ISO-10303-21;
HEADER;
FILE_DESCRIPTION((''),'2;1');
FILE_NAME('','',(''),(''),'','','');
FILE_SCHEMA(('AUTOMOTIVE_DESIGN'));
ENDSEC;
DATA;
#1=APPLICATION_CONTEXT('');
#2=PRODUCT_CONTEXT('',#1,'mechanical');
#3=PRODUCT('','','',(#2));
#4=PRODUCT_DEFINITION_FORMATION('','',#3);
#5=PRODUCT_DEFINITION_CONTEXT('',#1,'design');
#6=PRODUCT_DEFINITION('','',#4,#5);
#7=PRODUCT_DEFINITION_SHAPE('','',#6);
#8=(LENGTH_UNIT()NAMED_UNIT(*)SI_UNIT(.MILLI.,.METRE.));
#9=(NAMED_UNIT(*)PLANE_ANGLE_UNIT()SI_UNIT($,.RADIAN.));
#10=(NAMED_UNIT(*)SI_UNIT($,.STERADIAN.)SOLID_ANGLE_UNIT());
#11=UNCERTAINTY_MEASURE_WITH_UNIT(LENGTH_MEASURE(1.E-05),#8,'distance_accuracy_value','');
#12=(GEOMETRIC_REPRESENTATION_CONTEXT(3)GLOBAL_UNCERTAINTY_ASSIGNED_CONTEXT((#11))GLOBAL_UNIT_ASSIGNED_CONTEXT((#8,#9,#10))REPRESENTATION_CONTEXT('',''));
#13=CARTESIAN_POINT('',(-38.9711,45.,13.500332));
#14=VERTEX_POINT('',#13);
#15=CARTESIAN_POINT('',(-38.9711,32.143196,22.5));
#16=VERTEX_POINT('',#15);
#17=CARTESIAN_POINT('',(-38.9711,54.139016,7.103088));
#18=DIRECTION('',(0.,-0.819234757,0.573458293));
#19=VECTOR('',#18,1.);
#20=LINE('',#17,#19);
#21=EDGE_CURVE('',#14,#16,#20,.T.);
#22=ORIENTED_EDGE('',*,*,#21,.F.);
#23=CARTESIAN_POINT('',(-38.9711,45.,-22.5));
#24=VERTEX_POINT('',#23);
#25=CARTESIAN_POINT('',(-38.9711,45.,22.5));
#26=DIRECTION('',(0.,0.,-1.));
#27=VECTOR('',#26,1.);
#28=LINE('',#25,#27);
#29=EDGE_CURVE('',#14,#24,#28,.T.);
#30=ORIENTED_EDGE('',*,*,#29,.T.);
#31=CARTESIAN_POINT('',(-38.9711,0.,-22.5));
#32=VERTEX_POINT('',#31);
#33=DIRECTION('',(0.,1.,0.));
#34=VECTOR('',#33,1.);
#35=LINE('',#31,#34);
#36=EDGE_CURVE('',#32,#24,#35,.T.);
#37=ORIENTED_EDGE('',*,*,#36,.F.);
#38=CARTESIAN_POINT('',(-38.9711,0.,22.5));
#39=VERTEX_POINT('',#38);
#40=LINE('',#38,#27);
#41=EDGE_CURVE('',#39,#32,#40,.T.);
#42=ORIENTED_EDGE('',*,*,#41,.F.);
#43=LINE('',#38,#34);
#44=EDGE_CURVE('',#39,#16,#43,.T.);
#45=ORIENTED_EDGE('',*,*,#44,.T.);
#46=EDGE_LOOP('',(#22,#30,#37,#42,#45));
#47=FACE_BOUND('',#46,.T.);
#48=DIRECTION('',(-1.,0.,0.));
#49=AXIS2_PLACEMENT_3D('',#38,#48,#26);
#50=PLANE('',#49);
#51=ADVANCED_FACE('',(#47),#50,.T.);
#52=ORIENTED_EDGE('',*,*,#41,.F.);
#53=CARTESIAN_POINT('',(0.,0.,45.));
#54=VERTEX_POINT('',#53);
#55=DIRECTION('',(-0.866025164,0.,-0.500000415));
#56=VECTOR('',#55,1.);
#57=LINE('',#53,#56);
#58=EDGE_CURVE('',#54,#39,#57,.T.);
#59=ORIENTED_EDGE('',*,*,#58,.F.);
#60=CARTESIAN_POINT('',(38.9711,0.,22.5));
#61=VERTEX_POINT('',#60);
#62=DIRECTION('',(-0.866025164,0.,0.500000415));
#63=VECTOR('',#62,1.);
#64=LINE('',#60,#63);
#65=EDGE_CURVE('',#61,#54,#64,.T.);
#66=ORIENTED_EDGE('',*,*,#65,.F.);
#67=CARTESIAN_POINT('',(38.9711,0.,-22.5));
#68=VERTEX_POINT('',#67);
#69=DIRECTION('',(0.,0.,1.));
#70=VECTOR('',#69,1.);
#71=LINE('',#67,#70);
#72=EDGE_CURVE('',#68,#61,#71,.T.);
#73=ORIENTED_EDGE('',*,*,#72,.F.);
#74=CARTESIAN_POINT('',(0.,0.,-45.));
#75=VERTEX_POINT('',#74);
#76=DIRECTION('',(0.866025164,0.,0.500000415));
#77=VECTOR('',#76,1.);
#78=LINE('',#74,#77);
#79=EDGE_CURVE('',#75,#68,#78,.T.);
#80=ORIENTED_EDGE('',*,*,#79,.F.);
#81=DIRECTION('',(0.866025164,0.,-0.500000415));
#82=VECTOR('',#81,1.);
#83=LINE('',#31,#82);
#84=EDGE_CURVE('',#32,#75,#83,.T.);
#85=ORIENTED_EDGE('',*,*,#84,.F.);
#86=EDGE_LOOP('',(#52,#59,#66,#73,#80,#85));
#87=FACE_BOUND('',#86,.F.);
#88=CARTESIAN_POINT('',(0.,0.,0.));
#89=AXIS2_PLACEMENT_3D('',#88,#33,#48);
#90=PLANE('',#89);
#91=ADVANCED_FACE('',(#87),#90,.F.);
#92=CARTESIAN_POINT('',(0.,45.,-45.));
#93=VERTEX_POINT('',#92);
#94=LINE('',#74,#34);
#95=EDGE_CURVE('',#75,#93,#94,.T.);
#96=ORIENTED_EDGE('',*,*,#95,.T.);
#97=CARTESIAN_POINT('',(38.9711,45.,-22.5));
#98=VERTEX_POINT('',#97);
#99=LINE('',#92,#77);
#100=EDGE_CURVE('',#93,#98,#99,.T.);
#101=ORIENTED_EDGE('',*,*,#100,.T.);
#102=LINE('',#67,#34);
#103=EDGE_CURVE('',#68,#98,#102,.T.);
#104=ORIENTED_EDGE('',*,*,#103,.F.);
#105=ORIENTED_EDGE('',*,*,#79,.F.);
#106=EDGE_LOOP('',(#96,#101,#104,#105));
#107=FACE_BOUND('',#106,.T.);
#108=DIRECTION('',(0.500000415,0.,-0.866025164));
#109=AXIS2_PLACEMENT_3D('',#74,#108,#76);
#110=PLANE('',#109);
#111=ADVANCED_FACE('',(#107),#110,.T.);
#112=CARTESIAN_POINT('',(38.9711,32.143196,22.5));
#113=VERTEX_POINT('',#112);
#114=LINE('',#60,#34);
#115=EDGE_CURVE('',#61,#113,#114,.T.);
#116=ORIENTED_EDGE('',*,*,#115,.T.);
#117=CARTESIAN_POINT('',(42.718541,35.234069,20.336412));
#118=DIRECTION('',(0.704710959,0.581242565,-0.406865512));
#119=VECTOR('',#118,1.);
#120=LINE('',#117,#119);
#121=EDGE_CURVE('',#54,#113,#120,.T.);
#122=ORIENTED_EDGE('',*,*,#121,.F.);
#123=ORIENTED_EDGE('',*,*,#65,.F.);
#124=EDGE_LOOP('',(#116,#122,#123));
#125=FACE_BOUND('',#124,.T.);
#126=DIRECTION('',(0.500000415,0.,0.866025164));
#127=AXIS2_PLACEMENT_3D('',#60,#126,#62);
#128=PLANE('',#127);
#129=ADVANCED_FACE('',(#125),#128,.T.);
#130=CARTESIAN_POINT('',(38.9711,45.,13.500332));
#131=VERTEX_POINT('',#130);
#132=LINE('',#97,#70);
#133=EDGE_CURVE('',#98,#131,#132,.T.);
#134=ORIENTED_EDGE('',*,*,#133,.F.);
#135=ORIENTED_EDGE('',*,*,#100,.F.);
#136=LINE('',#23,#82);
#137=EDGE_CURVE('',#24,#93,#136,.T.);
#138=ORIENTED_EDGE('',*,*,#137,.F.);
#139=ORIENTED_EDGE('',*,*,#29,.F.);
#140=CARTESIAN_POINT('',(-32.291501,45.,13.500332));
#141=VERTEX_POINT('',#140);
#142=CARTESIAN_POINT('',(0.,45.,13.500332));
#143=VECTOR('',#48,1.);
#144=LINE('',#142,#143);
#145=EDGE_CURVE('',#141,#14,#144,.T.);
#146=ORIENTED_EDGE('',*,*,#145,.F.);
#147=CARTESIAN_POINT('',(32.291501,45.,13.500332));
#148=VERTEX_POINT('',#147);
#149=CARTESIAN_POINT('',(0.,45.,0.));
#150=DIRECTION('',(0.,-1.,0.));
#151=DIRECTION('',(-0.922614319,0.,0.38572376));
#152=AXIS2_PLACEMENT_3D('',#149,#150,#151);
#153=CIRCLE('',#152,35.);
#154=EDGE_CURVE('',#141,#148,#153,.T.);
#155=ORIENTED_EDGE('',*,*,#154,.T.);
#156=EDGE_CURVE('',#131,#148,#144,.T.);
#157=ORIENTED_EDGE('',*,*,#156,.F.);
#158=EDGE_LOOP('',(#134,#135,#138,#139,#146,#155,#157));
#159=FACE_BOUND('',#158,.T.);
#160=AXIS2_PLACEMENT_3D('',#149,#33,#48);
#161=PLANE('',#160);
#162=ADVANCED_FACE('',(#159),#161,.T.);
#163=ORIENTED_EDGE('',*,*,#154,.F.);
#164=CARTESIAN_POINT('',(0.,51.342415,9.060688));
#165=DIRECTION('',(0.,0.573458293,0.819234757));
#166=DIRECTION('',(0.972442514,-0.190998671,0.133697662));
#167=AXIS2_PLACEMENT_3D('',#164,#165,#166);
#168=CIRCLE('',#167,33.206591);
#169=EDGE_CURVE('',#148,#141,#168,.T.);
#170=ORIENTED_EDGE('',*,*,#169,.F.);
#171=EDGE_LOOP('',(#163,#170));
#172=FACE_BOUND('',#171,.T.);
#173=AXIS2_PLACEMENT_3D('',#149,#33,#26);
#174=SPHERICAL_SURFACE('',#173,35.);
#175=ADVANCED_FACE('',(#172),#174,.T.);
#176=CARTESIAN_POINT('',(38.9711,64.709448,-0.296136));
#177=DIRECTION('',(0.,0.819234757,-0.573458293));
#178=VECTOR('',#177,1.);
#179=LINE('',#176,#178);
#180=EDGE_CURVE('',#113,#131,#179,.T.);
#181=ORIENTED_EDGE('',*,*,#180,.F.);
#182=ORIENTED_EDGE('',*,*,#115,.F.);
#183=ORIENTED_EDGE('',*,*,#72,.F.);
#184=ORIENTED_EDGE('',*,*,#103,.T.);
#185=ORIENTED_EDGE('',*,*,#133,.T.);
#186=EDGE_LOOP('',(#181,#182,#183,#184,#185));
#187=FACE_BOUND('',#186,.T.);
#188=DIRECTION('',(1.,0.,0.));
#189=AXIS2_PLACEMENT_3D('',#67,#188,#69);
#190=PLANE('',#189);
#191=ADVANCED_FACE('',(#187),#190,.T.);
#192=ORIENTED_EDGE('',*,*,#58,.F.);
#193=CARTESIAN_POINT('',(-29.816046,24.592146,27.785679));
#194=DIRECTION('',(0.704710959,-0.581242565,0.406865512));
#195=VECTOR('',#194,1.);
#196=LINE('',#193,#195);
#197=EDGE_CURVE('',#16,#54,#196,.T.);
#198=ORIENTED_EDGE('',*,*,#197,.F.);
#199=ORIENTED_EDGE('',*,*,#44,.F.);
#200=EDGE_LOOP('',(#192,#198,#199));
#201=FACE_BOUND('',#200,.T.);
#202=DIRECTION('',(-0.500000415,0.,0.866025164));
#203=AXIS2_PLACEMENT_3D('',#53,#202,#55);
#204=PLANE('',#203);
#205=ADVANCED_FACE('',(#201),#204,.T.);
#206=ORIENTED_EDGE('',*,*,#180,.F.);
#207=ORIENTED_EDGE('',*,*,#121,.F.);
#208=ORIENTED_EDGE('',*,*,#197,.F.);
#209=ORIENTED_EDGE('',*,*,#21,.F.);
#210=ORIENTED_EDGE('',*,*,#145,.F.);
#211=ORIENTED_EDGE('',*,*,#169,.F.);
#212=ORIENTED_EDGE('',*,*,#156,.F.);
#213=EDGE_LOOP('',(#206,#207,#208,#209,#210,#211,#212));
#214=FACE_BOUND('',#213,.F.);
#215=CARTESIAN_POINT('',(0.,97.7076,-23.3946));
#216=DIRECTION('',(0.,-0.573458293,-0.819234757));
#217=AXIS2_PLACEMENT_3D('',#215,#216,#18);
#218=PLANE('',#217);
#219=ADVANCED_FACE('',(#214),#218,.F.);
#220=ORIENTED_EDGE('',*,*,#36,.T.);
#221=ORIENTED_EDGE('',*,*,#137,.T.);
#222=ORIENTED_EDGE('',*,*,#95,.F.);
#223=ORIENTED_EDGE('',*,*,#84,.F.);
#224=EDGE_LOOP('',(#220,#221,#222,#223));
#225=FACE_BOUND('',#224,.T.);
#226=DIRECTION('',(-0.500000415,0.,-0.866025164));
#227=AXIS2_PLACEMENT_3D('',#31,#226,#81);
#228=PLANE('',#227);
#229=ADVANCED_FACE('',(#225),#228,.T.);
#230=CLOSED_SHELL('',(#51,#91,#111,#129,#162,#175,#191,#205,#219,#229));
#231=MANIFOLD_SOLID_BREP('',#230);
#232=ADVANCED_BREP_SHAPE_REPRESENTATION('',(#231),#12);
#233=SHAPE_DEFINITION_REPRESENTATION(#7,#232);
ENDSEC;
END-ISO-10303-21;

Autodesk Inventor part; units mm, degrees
ref_plane "YZ Plane" through (0, 0, 0) normal (1, 0, 0) x (0, 1, 0)
ref_plane "XZ Plane" through (0, 0, 0) normal (0, 1, 0) x (-1, 0, 0)
ref_plane "XY Plane" through (0, 0, 0) normal (0, 0, 1) x (1, 0, 0)
sketch "Эскиз1" plane through (0, 0, 0) normal (0, 1, 0) x (-1, 0, 0)
  line L0 (0, -45) -> (-38.9711, -22.5)
  line L1 (-38.9711, -22.5) -> (-38.9711, 22.5)
  line L2 (-38.9711, 22.5) -> (0, 45)
  line L3 (0, 45) -> (38.9711, 22.5)
  line L4 (38.9711, 22.5) -> (38.9711, -22.5)
  line L5 (38.9711, -22.5) -> (0, -45)
  point P0 (0, 0)
  point P1 (0, 0)
  dimension "d2" = 45
extrude "Выдавливание1" add sketch "Эскиз1" along normal blind 45
sketch "Эскиз3" plane through (0, 0, 0) normal (1, 0, 0) x (0, 1, 0)
  line L0 (45, -22.5) -> (45, 22.5) projected
  line L1 (45, 0) -> (80, 0)
  line L2 (45, 22.5) -> (45, -22.5) projected
  line L3 (45, 0) -> (45, -35)
  arc A0 (45, -35) -> (45, 35) centre (45, 0) ccw
  point P0 (0, 0)
  dimension "d3" = 35
  dimension "d4" = 35
revolve "Вращение1" add sketch "Эскиз3" angle 360 about axis through (0, 45, 0) along (0, 1, 0)
sketch "Эскиз5" plane through (0, 0, 0) normal (1, 0, 0) x (0, 1, 0)
  arc A0 (45, -35) -> (45, 35) centre (45, 0) ccw projected
  line L0 (0, 22.5) -> (0, 45) projected
  line L1 (77.2198, 45) -> (0, 45)
  line L2 (97.7076, -23.3946) -> (97.7076, 45.0272)
  line L3 (97.7076, 45.0272) -> (76.0865, 45)
  line L4 (97.7076, -23.3946) -> (0, 45)
  point P0 (0, 0)
  point P1 (78.541, -10)
  point P2 (80, 0)
  dimension "d6" = 10
extrude "Выдавливание2" cut sketch "Эскиз5" along normal blind 100 and the other way blind 100
